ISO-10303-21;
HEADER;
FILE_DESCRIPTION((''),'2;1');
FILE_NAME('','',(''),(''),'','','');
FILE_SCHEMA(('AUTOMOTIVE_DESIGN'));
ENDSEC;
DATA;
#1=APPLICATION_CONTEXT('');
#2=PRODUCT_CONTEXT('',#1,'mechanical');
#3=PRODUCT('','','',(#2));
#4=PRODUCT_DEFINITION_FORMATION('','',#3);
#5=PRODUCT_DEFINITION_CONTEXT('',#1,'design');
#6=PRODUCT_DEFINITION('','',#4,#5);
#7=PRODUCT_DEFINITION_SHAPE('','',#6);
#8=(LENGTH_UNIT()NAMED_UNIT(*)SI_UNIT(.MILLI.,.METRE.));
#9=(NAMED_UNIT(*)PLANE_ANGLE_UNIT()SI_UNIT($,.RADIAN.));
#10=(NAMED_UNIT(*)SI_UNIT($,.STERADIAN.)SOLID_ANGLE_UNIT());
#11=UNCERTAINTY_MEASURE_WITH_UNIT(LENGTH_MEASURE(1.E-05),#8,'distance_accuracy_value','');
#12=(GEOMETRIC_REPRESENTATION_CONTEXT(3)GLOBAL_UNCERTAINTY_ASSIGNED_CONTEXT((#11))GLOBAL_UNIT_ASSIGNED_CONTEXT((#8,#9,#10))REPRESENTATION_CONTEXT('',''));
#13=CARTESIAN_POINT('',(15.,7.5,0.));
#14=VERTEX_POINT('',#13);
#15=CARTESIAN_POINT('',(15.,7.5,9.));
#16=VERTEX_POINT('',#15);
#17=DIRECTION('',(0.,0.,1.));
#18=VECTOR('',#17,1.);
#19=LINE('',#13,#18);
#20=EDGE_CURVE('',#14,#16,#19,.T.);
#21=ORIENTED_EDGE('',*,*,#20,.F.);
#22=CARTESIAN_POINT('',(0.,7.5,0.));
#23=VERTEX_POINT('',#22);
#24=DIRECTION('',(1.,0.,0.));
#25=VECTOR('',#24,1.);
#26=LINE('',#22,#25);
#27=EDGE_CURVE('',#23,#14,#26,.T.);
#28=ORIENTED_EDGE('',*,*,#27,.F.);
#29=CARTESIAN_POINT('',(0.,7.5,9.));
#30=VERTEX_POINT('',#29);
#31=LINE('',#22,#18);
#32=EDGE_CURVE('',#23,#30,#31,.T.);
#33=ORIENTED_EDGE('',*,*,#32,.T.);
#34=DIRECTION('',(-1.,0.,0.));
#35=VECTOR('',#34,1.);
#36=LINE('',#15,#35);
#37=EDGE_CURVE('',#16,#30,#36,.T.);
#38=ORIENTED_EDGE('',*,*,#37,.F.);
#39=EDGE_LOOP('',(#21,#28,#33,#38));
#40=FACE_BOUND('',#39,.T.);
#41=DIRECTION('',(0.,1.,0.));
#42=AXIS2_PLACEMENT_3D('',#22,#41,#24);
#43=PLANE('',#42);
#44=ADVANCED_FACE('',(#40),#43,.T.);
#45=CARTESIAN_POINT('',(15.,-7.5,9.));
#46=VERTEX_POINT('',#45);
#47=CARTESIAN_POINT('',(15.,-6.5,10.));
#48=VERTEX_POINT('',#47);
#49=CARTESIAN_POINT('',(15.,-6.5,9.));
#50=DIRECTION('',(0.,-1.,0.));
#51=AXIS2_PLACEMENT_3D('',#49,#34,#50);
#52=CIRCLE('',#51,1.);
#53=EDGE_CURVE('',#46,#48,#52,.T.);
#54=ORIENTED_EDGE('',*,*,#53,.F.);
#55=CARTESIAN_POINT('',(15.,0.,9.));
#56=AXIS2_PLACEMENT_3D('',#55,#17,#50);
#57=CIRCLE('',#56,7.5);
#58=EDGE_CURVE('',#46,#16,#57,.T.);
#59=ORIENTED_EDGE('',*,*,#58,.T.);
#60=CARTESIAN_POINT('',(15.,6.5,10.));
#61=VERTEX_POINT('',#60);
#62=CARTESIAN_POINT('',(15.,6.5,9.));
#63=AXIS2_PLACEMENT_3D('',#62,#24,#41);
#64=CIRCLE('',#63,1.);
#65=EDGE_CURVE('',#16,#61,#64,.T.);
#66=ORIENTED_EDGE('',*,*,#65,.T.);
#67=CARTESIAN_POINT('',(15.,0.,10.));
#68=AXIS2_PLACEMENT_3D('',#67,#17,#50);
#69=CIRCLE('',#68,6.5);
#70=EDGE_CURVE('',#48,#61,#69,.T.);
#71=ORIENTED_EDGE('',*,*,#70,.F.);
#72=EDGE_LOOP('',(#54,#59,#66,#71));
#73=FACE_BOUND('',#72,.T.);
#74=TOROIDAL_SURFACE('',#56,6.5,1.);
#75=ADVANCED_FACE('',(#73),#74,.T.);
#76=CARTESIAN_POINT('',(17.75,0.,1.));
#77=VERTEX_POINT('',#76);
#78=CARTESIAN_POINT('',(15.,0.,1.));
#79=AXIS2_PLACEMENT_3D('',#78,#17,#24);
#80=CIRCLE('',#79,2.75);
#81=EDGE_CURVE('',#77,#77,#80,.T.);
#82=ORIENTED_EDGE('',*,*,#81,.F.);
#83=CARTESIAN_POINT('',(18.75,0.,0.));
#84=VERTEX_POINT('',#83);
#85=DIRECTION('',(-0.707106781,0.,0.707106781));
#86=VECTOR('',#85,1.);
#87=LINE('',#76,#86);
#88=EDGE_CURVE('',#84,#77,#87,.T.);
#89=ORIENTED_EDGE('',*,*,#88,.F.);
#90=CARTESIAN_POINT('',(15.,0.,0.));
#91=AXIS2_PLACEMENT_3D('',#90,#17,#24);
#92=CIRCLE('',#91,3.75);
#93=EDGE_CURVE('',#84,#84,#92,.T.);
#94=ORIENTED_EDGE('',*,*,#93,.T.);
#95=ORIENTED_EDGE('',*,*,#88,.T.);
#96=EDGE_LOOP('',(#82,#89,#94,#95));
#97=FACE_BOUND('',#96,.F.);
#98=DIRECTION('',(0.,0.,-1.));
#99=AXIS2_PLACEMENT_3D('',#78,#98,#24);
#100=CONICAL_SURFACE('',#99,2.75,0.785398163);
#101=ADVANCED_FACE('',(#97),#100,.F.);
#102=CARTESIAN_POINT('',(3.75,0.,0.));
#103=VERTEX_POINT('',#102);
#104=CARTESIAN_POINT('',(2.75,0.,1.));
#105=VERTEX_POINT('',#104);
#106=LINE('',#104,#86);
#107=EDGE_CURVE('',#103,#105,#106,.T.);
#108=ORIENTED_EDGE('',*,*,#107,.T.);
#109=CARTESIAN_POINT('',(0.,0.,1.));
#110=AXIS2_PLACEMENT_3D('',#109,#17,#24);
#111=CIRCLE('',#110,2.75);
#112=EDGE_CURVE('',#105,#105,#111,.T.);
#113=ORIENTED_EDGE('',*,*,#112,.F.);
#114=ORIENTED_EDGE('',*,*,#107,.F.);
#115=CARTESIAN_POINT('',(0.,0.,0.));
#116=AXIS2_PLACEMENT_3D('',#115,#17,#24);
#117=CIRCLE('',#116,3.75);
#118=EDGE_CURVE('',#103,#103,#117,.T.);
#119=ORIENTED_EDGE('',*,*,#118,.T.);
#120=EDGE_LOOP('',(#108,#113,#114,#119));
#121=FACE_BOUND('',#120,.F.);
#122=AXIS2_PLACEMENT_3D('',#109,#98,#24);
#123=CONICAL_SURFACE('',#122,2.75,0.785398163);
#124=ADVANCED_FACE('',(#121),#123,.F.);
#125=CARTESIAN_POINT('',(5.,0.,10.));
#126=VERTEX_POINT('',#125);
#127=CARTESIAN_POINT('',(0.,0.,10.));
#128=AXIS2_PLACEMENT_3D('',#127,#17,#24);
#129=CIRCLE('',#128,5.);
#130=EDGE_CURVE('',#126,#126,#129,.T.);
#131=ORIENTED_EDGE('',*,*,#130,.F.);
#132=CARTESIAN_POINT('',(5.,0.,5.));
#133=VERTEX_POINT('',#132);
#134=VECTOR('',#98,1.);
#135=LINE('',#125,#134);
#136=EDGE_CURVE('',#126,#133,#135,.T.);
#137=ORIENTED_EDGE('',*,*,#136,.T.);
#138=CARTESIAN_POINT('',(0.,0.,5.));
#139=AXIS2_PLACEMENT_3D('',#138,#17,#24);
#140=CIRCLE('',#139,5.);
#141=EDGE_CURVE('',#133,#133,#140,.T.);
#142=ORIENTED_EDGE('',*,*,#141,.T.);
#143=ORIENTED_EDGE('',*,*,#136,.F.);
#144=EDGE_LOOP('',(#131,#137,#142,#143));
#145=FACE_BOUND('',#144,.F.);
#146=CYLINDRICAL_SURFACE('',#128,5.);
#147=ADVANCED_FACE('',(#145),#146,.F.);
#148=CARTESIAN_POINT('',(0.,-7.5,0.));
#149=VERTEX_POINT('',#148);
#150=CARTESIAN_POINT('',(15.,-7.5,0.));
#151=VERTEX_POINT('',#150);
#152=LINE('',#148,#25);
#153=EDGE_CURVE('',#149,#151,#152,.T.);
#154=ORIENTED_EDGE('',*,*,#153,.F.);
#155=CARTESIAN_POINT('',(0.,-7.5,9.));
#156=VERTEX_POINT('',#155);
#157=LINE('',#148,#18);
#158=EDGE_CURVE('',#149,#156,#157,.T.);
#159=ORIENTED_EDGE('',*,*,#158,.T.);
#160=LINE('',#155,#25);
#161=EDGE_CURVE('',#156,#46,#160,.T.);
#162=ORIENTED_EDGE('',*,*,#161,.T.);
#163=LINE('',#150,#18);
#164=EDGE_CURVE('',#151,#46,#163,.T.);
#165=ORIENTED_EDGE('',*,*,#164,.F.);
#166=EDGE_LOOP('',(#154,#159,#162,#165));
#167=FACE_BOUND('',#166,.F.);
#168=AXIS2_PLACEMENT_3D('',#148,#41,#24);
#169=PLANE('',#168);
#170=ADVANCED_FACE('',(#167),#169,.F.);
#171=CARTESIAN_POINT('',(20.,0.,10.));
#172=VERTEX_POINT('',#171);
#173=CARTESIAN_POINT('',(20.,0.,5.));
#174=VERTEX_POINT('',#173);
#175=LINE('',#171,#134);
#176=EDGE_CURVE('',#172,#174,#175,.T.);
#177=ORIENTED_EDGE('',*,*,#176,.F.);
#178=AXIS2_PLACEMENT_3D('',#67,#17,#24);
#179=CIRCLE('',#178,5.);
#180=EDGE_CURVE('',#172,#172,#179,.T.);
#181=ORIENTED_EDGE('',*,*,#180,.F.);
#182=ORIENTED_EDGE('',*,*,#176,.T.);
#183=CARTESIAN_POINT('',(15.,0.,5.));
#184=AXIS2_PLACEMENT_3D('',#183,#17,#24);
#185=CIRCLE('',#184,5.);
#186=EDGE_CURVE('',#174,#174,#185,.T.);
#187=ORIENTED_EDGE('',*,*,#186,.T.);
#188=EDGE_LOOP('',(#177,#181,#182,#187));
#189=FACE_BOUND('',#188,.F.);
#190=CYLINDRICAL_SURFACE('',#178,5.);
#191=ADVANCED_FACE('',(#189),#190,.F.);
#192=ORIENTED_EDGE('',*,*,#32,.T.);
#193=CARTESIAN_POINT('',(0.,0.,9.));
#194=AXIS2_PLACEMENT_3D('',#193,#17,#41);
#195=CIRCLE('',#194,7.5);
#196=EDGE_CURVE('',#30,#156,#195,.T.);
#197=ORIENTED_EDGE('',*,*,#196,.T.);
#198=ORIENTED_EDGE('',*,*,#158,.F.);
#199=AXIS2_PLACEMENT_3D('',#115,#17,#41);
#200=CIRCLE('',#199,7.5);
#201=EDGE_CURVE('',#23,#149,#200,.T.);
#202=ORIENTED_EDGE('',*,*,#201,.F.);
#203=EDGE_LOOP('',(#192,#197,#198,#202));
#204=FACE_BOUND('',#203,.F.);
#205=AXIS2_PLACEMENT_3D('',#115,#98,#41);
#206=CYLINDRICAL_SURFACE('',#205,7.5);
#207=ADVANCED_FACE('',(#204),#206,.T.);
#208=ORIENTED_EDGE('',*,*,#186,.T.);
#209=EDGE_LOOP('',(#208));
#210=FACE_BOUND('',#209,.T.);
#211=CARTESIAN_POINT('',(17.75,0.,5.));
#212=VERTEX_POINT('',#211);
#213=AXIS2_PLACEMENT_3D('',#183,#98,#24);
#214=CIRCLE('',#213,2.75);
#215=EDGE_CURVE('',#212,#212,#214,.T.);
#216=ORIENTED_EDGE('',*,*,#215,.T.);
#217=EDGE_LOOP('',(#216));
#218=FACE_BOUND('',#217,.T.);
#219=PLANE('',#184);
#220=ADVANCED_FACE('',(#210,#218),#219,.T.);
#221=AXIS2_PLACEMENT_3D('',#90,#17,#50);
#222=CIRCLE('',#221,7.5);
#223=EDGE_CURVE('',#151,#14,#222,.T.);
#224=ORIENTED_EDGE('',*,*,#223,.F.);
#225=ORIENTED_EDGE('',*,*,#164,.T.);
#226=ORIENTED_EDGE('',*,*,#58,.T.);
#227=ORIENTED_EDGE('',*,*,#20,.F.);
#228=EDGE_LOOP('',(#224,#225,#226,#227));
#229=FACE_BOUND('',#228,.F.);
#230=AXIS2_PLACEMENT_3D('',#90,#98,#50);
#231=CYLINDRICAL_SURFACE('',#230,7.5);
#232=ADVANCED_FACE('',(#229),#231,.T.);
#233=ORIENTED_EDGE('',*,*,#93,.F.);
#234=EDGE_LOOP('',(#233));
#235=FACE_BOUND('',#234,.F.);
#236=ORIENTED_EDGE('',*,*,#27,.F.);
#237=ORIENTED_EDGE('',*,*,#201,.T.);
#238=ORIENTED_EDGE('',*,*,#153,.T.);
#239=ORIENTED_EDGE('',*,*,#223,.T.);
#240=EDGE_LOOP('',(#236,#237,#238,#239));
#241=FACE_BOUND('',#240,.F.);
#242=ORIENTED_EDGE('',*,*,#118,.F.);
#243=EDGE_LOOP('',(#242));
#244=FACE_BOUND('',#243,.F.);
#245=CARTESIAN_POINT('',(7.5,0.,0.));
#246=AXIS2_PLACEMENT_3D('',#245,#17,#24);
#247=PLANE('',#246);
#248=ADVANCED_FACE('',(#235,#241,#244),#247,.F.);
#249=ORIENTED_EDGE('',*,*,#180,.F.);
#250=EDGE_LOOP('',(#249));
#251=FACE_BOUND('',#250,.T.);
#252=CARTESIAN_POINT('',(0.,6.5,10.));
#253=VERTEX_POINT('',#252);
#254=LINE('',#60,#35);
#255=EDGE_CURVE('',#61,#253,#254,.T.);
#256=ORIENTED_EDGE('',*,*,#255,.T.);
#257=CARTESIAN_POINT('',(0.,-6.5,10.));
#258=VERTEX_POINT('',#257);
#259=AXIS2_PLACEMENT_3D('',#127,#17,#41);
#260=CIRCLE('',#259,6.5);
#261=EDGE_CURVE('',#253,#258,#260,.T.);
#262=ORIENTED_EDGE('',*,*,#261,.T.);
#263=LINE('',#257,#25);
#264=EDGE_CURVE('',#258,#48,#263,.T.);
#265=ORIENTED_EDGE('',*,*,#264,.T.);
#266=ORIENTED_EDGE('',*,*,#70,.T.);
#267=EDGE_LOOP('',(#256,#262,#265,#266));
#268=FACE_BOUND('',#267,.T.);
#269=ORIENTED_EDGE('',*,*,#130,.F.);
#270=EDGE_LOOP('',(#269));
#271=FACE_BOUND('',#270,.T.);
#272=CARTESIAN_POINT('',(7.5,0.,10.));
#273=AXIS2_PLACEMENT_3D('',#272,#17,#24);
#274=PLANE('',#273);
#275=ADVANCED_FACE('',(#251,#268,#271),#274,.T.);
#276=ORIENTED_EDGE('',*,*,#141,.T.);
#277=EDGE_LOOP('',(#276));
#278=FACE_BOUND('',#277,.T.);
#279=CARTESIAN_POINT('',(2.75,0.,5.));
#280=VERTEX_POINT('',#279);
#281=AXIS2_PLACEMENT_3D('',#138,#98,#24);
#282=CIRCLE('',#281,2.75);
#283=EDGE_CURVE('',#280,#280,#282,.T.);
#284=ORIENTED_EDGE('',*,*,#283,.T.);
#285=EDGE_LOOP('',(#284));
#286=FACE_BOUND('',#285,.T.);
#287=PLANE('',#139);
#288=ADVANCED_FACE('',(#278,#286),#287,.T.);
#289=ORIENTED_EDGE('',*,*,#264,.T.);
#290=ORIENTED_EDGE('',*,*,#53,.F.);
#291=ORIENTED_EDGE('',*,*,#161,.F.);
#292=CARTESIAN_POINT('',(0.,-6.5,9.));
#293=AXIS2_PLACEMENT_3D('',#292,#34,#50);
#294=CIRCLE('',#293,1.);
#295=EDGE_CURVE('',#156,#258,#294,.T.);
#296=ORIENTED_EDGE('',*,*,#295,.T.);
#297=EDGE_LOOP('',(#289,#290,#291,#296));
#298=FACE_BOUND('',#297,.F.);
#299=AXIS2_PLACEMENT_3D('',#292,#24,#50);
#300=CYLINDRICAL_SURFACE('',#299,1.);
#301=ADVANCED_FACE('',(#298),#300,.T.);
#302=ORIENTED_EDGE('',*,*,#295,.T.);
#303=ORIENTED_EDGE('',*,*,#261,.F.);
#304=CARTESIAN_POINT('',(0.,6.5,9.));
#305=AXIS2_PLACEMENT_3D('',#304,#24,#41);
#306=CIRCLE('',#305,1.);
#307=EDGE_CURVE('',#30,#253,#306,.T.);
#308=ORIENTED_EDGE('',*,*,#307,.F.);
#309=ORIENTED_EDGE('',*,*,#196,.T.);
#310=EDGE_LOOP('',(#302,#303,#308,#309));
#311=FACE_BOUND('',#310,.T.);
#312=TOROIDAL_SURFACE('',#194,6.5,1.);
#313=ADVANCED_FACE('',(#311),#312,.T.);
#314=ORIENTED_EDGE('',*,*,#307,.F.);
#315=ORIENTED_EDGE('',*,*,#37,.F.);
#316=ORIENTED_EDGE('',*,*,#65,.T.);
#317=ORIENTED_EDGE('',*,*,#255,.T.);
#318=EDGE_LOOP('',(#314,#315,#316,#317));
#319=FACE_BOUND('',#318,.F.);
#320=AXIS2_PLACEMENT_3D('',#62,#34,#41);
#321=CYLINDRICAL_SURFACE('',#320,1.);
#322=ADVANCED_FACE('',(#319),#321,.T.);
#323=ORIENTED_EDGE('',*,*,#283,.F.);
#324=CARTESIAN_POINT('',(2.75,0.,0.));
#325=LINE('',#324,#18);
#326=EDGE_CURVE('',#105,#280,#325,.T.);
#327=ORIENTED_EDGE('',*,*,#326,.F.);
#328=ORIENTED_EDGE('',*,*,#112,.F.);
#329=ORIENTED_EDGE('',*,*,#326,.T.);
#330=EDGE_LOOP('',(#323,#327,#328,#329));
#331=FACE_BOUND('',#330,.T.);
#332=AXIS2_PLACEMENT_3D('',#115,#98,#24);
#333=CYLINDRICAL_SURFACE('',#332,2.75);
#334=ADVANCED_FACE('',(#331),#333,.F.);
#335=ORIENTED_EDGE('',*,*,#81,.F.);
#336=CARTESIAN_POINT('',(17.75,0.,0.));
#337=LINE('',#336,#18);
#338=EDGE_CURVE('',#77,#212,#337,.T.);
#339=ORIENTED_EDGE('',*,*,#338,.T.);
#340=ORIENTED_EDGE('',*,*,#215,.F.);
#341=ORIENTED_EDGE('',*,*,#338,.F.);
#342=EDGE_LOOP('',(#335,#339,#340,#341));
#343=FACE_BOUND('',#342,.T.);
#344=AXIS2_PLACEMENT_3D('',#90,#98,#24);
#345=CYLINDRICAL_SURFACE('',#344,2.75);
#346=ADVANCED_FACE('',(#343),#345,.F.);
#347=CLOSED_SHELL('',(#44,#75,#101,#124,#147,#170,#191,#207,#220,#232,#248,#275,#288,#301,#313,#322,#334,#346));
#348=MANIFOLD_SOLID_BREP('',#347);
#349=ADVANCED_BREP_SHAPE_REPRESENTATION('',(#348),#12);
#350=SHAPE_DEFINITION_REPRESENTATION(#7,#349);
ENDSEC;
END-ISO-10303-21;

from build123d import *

# Parameters (mm, degrees)
SKETCH_R     = 2.75
PAD_DEPTH    = 10
FILLET_R     = 1
CHAMFER_SIZE = 1
SKETCH001_R  = 5
POCKET_DEPTH = 5


with BuildPart() as part:
    # Sketch → Pad (new body)
    with BuildSketch(Plane.XY):
        with BuildLine():
            ThreePointArc((0, 7.5), (-7.5, 0), (0, -7.5))
            Line((0, -7.5), (15, -7.5))
            ThreePointArc((15, -7.5), (22.5, 0), (15, 7.5))
            Line((0, 7.5), (15, 7.5))
        make_face()
        Circle(SKETCH_R, mode=Mode.SUBTRACT)
        with Locations((15, 0)):
            Circle(SKETCH_R, mode=Mode.SUBTRACT)
    extrude(amount=PAD_DEPTH)

    # Fillet
    fillet_edges = [part.edges().sort_by_distance(p)[0] for p in [
        (7.5, -7.5, 10),
    ]]
    fillet(fillet_edges, radius=FILLET_R)

    # Chamfer
    chamfer_edges = [part.edges().sort_by_distance(p)[0] for p in [
        (12.25, 0, 0),
        (-2.75, 0, 0),
    ]]
    chamfer(chamfer_edges, length=CHAMFER_SIZE)

    # Sketch001 (on Face14 of Chamfer) → Pocket (cut)
    with BuildSketch(Plane.XY.offset(10)):
        Circle(SKETCH001_R)
        with Locations((15, 0)):
            Circle(SKETCH001_R)
    extrude(amount=-POCKET_DEPTH, mode=Mode.SUBTRACT)


solid = part.part
